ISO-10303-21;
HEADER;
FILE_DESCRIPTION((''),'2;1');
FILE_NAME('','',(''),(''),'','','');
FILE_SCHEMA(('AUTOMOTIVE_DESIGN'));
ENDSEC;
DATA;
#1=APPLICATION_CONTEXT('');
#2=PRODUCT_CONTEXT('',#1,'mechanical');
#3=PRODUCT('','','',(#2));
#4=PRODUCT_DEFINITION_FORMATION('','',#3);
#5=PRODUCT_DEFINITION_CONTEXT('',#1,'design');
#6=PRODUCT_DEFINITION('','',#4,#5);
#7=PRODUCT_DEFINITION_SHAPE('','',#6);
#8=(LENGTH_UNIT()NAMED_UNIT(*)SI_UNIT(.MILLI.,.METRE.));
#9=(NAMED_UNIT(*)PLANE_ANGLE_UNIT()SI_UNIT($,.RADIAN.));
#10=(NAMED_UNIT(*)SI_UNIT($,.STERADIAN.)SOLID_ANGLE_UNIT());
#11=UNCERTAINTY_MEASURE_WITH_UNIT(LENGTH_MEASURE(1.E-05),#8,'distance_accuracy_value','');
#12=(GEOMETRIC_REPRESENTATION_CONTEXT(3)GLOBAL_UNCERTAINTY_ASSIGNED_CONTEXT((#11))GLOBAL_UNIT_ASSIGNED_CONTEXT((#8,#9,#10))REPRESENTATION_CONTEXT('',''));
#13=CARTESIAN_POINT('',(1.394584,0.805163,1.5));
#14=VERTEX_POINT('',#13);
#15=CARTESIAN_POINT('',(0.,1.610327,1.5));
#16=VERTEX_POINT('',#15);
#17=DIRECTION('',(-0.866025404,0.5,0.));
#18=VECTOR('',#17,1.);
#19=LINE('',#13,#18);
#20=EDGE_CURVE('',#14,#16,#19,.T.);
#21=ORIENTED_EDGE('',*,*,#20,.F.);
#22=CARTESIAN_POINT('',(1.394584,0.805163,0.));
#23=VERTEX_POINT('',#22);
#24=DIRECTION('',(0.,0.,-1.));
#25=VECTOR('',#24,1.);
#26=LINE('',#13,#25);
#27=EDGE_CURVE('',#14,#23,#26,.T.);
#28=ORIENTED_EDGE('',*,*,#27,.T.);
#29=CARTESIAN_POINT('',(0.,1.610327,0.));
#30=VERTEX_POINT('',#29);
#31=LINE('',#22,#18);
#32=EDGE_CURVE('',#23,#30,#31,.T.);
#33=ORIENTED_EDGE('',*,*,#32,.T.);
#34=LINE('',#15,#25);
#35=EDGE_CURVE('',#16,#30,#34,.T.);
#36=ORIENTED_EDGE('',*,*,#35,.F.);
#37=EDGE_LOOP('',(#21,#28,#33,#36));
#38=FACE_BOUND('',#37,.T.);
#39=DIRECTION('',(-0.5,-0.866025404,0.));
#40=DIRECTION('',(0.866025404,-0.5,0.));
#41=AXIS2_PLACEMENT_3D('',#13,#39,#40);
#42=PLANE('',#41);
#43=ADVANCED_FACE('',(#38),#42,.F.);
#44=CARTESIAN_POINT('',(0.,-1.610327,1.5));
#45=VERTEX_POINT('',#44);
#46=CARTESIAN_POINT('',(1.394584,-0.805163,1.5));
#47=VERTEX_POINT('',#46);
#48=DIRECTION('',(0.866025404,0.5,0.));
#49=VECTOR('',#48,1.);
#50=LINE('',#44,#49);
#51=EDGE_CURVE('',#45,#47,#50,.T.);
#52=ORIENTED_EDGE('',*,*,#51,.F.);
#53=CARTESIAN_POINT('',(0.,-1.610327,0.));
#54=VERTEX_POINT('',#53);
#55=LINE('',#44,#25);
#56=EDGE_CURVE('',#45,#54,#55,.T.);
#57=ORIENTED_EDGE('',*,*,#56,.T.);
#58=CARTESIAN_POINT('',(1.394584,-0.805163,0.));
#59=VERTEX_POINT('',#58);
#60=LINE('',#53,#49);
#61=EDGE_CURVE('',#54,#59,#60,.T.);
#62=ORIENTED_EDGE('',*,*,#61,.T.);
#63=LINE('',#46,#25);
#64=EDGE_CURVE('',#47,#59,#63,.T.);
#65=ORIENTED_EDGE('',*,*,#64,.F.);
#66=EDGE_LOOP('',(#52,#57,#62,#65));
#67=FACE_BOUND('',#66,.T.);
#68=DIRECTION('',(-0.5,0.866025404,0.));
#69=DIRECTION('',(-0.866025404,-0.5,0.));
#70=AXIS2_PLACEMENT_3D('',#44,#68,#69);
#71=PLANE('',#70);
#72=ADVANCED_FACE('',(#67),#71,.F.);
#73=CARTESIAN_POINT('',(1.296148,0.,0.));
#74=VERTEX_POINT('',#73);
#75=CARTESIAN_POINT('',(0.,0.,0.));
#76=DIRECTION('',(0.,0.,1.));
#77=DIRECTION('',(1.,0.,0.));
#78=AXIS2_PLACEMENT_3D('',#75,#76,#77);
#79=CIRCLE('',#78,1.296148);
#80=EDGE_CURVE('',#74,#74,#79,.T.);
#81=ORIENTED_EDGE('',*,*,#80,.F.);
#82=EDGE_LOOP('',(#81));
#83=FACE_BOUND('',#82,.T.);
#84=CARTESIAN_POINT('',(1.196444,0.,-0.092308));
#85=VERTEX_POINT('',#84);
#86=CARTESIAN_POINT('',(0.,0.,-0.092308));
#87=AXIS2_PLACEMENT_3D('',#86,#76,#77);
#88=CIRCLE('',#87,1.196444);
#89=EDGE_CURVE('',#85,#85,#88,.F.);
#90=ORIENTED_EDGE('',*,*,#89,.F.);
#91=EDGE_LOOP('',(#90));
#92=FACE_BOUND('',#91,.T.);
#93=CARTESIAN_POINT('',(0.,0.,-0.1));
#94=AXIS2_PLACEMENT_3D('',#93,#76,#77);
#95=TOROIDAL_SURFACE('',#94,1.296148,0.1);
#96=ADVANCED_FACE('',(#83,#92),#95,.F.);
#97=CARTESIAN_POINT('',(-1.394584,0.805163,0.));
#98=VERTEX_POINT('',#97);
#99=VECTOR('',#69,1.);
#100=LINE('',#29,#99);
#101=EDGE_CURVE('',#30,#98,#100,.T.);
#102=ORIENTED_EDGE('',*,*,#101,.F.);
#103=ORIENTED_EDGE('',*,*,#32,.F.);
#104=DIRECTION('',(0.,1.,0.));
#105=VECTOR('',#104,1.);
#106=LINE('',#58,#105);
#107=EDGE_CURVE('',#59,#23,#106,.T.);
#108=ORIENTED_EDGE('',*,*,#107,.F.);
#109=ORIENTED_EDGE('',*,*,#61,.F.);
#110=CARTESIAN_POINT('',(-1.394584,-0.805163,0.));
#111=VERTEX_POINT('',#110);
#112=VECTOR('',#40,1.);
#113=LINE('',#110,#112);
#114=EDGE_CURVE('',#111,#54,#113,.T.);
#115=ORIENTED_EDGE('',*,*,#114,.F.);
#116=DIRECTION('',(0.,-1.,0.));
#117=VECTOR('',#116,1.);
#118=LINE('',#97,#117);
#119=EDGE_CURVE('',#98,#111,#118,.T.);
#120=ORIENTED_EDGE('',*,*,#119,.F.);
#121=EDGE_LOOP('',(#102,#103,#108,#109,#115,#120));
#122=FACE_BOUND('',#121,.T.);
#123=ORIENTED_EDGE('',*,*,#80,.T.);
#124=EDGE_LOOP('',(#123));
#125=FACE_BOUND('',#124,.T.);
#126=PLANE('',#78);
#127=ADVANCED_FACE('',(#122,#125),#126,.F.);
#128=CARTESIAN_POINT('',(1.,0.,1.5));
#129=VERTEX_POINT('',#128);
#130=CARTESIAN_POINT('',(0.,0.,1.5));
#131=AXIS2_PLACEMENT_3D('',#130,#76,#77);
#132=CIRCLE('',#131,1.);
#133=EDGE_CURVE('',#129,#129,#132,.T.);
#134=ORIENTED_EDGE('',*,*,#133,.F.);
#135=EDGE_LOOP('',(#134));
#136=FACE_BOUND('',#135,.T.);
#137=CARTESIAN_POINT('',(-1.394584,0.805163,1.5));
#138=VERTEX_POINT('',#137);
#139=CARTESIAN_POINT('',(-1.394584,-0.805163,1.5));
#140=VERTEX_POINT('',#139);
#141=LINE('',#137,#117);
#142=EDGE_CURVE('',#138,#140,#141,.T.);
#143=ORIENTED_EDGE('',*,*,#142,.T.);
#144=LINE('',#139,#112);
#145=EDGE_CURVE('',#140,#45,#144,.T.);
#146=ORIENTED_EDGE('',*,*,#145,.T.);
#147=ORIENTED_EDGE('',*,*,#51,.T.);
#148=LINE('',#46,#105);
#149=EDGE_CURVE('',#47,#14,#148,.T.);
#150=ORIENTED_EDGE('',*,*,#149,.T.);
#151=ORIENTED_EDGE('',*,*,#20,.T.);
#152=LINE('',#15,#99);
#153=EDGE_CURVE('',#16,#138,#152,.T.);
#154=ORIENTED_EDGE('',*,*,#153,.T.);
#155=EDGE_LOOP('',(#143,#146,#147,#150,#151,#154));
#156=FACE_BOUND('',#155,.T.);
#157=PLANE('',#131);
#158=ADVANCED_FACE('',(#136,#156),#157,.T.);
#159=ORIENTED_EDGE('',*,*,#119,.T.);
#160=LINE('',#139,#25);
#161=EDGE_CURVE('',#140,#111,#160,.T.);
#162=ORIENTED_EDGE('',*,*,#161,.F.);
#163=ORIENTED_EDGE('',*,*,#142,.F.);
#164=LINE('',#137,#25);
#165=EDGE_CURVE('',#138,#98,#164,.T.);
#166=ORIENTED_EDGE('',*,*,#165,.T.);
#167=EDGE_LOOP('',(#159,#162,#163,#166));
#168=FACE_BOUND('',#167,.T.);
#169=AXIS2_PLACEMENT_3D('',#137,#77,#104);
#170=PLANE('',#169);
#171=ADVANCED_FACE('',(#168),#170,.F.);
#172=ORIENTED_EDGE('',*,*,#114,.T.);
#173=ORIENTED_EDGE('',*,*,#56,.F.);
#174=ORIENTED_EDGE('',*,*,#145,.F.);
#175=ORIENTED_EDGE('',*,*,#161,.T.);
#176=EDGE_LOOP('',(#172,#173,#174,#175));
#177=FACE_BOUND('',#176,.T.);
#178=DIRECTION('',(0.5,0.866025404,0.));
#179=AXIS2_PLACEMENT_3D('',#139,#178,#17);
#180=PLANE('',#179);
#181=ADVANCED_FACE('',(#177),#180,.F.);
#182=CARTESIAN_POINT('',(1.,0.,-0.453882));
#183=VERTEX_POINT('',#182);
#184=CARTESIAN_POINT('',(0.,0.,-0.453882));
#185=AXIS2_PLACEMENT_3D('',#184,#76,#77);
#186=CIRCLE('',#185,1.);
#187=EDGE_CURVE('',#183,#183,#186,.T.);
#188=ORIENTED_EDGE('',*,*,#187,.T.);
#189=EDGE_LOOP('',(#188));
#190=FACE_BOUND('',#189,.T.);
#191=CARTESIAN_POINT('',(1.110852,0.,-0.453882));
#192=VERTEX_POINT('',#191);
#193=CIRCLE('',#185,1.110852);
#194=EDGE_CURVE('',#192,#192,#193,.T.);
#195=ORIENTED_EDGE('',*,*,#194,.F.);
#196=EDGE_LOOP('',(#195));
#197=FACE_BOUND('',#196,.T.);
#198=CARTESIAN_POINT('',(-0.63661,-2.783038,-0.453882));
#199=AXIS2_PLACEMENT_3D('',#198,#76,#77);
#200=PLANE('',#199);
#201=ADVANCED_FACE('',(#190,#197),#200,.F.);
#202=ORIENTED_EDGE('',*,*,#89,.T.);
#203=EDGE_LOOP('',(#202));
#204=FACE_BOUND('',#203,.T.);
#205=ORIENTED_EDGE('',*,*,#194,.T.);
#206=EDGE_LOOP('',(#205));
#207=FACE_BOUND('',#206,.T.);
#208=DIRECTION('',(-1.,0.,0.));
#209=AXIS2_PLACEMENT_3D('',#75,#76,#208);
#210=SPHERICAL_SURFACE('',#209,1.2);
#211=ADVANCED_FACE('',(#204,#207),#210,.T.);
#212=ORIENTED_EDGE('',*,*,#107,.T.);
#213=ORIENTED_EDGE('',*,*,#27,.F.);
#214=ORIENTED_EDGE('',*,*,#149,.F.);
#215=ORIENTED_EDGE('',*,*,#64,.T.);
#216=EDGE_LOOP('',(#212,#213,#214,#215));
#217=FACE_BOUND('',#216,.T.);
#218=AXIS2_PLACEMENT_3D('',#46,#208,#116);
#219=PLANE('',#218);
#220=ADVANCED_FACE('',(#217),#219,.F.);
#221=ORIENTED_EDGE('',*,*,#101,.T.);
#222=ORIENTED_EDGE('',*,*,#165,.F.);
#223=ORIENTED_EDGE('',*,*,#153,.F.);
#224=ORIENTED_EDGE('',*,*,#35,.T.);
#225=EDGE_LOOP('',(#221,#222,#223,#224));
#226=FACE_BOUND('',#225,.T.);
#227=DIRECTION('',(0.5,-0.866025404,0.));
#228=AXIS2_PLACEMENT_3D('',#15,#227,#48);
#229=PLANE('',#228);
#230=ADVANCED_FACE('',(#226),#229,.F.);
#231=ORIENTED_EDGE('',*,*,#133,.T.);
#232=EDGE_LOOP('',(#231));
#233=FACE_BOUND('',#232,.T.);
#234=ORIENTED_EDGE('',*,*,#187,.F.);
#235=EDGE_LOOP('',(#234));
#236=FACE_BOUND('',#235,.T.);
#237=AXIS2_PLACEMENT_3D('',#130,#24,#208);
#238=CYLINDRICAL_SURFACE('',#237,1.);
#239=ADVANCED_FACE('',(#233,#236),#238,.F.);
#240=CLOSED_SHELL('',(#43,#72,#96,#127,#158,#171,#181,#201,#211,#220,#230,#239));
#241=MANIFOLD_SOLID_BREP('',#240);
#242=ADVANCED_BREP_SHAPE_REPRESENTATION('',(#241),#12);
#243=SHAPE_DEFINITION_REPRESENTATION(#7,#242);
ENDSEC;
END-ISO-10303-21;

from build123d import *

# Parameters (mm, degrees)
SKETCH_1_R          = 1
EXTRUDE_1_DEPTH     = 1.5
CUT_EXTRUDE_START   = -1.5
SKETCH_4_R          = 1
CUT_EXTRUDE_1_DEPTH = 1.5
SKETCH_5_W          = 4.342397196
SKETCH_5_H          = 0.669337657
CUT_EXTRUDE_2_DEPTH = 4.816736312
FILLET_1_R          = 0.1


with BuildPart() as part:
    # 草图1 → 凸台-拉伸1 (new body)
    with BuildSketch(Plane.XY):
        Polygon((0, 1.610326941), (-1.394584039, 0.805163471), (-1.394584039, -0.805163471), (0, -1.610326941), (1.394584039, -0.805163471), (1.394584039, 0.805163471), align=None)
        Circle(SKETCH_1_R, mode=Mode.SUBTRACT)
    extrude(amount=EXTRUDE_1_DEPTH)

    # 草图3 → 旋转1 (revolve)
    with BuildSketch(Plane(origin=(0, 0, 0), x_dir=(1, 0, 0), z_dir=(0, 1, 0))):
        with BuildLine():
            Line((0, 0), (-1.2, 0))
            ThreePointArc((-1.2, 0), (-0.848528137, 0.848528137), (0, 1.2))
            Line((0, 1.2), (0, 0))
        make_face()
    revolve(axis=Axis((0, 0, 0), (0, 0, -1)))

    # 草图4 → 切除-拉伸1 (cut)
    with BuildSketch(Plane.XY.offset(CUT_EXTRUDE_START)):
        Circle(SKETCH_4_R)
    extrude(amount=CUT_EXTRUDE_1_DEPTH, mode=Mode.SUBTRACT)

    # 草图5 → 切除-拉伸2 (cut, through all)
    with BuildSketch(Plane(origin=(-0.69729202, 1.207745206, 0), x_dir=(0.8660254037844382, 0.5000000000000009, 0), z_dir=(-0.5000000000000009, 0.8660254037844383, 0))):
        with Locations((0.228359132, 0.788550397)):
            Rectangle(SKETCH_5_W, SKETCH_5_H)
    extrude(amount=-CUT_EXTRUDE_2_DEPTH, mode=Mode.SUBTRACT)

    # 圆角1
    fillet_1_edges = [part.edges().sort_by_distance(p)[0] for p in [
        (1.2, 0, 0),
    ]]
    fillet(fillet_1_edges, radius=FILLET_1_R)


solid = part.part
